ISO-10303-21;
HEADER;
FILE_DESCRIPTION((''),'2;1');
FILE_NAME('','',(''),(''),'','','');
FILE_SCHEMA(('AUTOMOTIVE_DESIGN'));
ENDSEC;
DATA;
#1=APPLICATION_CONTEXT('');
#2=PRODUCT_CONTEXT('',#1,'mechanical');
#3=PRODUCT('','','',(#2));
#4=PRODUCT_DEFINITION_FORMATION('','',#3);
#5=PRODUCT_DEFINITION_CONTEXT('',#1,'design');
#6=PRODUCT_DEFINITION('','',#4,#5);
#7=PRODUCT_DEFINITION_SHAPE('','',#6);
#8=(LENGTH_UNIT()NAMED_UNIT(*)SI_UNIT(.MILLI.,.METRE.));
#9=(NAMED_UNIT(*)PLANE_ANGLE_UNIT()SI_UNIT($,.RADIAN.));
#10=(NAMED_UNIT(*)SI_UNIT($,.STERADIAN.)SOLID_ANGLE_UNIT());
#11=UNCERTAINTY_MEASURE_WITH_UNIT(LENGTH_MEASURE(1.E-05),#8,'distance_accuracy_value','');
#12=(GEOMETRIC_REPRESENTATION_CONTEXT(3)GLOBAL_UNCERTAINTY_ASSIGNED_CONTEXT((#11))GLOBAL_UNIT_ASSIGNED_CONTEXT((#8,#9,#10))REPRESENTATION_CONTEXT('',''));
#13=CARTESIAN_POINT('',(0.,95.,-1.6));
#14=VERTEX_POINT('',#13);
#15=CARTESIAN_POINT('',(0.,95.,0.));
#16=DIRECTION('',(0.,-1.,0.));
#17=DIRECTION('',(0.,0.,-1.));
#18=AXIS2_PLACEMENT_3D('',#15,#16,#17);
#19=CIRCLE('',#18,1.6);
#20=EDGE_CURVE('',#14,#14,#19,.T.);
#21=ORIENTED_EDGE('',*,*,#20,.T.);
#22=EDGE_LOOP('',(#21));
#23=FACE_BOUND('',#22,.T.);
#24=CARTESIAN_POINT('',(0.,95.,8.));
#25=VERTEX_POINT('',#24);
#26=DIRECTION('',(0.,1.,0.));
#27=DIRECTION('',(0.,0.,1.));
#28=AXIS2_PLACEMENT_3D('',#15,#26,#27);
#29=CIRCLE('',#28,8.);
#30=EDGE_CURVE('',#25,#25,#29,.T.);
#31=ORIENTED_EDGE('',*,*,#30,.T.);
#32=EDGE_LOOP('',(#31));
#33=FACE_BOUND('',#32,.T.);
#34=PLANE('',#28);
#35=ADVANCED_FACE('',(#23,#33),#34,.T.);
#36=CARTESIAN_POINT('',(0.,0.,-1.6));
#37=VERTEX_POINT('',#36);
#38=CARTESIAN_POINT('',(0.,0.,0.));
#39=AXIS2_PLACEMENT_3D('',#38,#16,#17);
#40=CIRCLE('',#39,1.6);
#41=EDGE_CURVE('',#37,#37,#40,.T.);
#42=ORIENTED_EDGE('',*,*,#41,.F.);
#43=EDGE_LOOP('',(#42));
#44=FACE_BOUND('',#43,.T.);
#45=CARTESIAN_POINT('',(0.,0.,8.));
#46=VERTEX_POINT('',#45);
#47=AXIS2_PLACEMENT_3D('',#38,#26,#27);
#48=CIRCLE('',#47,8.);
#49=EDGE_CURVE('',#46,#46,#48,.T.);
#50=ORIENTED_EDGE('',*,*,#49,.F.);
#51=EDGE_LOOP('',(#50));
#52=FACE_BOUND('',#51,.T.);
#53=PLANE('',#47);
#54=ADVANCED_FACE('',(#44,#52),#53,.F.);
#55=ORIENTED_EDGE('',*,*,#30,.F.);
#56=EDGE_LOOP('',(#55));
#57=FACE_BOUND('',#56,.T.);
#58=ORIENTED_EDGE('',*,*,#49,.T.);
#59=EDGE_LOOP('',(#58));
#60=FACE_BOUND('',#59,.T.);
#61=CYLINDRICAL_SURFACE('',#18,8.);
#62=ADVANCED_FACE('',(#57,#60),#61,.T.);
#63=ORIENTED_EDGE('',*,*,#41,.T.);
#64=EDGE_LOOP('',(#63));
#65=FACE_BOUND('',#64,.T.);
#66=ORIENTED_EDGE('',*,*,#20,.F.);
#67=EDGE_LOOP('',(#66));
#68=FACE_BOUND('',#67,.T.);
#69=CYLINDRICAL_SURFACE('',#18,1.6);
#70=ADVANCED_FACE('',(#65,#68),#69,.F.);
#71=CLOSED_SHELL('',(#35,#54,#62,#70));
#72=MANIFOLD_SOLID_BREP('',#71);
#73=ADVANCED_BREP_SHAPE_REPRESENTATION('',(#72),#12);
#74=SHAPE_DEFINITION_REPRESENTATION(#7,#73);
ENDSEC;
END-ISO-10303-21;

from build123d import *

# Parameters (mm, degrees)
SKETCH1_R           = 8
BOSS_EXTRUDE1_DEPTH = 95
SKETCH2_R           = 1.6
CUT_EXTRUDE1_DEPTH  = 95


with BuildPart() as part:
    # Sketch1 → Boss-Extrude1 (new body)
    with BuildSketch(Plane(origin=(0, 0, 0), x_dir=(1, 0, 0), z_dir=(0, 1, 0))):
        with Locations(Location((0, 0, 0), (0, 0, 270))):
            Circle(SKETCH1_R)
    extrude(amount=BOSS_EXTRUDE1_DEPTH)

    # Sketch2 → Cut-Extrude1 (cut)
    with BuildSketch(Plane.XZ):
        with Locations(Location((0, 0, 0), (0, 0, 270))):
            Circle(SKETCH2_R)
    extrude(amount=-CUT_EXTRUDE1_DEPTH, mode=Mode.SUBTRACT)


solid = part.part
